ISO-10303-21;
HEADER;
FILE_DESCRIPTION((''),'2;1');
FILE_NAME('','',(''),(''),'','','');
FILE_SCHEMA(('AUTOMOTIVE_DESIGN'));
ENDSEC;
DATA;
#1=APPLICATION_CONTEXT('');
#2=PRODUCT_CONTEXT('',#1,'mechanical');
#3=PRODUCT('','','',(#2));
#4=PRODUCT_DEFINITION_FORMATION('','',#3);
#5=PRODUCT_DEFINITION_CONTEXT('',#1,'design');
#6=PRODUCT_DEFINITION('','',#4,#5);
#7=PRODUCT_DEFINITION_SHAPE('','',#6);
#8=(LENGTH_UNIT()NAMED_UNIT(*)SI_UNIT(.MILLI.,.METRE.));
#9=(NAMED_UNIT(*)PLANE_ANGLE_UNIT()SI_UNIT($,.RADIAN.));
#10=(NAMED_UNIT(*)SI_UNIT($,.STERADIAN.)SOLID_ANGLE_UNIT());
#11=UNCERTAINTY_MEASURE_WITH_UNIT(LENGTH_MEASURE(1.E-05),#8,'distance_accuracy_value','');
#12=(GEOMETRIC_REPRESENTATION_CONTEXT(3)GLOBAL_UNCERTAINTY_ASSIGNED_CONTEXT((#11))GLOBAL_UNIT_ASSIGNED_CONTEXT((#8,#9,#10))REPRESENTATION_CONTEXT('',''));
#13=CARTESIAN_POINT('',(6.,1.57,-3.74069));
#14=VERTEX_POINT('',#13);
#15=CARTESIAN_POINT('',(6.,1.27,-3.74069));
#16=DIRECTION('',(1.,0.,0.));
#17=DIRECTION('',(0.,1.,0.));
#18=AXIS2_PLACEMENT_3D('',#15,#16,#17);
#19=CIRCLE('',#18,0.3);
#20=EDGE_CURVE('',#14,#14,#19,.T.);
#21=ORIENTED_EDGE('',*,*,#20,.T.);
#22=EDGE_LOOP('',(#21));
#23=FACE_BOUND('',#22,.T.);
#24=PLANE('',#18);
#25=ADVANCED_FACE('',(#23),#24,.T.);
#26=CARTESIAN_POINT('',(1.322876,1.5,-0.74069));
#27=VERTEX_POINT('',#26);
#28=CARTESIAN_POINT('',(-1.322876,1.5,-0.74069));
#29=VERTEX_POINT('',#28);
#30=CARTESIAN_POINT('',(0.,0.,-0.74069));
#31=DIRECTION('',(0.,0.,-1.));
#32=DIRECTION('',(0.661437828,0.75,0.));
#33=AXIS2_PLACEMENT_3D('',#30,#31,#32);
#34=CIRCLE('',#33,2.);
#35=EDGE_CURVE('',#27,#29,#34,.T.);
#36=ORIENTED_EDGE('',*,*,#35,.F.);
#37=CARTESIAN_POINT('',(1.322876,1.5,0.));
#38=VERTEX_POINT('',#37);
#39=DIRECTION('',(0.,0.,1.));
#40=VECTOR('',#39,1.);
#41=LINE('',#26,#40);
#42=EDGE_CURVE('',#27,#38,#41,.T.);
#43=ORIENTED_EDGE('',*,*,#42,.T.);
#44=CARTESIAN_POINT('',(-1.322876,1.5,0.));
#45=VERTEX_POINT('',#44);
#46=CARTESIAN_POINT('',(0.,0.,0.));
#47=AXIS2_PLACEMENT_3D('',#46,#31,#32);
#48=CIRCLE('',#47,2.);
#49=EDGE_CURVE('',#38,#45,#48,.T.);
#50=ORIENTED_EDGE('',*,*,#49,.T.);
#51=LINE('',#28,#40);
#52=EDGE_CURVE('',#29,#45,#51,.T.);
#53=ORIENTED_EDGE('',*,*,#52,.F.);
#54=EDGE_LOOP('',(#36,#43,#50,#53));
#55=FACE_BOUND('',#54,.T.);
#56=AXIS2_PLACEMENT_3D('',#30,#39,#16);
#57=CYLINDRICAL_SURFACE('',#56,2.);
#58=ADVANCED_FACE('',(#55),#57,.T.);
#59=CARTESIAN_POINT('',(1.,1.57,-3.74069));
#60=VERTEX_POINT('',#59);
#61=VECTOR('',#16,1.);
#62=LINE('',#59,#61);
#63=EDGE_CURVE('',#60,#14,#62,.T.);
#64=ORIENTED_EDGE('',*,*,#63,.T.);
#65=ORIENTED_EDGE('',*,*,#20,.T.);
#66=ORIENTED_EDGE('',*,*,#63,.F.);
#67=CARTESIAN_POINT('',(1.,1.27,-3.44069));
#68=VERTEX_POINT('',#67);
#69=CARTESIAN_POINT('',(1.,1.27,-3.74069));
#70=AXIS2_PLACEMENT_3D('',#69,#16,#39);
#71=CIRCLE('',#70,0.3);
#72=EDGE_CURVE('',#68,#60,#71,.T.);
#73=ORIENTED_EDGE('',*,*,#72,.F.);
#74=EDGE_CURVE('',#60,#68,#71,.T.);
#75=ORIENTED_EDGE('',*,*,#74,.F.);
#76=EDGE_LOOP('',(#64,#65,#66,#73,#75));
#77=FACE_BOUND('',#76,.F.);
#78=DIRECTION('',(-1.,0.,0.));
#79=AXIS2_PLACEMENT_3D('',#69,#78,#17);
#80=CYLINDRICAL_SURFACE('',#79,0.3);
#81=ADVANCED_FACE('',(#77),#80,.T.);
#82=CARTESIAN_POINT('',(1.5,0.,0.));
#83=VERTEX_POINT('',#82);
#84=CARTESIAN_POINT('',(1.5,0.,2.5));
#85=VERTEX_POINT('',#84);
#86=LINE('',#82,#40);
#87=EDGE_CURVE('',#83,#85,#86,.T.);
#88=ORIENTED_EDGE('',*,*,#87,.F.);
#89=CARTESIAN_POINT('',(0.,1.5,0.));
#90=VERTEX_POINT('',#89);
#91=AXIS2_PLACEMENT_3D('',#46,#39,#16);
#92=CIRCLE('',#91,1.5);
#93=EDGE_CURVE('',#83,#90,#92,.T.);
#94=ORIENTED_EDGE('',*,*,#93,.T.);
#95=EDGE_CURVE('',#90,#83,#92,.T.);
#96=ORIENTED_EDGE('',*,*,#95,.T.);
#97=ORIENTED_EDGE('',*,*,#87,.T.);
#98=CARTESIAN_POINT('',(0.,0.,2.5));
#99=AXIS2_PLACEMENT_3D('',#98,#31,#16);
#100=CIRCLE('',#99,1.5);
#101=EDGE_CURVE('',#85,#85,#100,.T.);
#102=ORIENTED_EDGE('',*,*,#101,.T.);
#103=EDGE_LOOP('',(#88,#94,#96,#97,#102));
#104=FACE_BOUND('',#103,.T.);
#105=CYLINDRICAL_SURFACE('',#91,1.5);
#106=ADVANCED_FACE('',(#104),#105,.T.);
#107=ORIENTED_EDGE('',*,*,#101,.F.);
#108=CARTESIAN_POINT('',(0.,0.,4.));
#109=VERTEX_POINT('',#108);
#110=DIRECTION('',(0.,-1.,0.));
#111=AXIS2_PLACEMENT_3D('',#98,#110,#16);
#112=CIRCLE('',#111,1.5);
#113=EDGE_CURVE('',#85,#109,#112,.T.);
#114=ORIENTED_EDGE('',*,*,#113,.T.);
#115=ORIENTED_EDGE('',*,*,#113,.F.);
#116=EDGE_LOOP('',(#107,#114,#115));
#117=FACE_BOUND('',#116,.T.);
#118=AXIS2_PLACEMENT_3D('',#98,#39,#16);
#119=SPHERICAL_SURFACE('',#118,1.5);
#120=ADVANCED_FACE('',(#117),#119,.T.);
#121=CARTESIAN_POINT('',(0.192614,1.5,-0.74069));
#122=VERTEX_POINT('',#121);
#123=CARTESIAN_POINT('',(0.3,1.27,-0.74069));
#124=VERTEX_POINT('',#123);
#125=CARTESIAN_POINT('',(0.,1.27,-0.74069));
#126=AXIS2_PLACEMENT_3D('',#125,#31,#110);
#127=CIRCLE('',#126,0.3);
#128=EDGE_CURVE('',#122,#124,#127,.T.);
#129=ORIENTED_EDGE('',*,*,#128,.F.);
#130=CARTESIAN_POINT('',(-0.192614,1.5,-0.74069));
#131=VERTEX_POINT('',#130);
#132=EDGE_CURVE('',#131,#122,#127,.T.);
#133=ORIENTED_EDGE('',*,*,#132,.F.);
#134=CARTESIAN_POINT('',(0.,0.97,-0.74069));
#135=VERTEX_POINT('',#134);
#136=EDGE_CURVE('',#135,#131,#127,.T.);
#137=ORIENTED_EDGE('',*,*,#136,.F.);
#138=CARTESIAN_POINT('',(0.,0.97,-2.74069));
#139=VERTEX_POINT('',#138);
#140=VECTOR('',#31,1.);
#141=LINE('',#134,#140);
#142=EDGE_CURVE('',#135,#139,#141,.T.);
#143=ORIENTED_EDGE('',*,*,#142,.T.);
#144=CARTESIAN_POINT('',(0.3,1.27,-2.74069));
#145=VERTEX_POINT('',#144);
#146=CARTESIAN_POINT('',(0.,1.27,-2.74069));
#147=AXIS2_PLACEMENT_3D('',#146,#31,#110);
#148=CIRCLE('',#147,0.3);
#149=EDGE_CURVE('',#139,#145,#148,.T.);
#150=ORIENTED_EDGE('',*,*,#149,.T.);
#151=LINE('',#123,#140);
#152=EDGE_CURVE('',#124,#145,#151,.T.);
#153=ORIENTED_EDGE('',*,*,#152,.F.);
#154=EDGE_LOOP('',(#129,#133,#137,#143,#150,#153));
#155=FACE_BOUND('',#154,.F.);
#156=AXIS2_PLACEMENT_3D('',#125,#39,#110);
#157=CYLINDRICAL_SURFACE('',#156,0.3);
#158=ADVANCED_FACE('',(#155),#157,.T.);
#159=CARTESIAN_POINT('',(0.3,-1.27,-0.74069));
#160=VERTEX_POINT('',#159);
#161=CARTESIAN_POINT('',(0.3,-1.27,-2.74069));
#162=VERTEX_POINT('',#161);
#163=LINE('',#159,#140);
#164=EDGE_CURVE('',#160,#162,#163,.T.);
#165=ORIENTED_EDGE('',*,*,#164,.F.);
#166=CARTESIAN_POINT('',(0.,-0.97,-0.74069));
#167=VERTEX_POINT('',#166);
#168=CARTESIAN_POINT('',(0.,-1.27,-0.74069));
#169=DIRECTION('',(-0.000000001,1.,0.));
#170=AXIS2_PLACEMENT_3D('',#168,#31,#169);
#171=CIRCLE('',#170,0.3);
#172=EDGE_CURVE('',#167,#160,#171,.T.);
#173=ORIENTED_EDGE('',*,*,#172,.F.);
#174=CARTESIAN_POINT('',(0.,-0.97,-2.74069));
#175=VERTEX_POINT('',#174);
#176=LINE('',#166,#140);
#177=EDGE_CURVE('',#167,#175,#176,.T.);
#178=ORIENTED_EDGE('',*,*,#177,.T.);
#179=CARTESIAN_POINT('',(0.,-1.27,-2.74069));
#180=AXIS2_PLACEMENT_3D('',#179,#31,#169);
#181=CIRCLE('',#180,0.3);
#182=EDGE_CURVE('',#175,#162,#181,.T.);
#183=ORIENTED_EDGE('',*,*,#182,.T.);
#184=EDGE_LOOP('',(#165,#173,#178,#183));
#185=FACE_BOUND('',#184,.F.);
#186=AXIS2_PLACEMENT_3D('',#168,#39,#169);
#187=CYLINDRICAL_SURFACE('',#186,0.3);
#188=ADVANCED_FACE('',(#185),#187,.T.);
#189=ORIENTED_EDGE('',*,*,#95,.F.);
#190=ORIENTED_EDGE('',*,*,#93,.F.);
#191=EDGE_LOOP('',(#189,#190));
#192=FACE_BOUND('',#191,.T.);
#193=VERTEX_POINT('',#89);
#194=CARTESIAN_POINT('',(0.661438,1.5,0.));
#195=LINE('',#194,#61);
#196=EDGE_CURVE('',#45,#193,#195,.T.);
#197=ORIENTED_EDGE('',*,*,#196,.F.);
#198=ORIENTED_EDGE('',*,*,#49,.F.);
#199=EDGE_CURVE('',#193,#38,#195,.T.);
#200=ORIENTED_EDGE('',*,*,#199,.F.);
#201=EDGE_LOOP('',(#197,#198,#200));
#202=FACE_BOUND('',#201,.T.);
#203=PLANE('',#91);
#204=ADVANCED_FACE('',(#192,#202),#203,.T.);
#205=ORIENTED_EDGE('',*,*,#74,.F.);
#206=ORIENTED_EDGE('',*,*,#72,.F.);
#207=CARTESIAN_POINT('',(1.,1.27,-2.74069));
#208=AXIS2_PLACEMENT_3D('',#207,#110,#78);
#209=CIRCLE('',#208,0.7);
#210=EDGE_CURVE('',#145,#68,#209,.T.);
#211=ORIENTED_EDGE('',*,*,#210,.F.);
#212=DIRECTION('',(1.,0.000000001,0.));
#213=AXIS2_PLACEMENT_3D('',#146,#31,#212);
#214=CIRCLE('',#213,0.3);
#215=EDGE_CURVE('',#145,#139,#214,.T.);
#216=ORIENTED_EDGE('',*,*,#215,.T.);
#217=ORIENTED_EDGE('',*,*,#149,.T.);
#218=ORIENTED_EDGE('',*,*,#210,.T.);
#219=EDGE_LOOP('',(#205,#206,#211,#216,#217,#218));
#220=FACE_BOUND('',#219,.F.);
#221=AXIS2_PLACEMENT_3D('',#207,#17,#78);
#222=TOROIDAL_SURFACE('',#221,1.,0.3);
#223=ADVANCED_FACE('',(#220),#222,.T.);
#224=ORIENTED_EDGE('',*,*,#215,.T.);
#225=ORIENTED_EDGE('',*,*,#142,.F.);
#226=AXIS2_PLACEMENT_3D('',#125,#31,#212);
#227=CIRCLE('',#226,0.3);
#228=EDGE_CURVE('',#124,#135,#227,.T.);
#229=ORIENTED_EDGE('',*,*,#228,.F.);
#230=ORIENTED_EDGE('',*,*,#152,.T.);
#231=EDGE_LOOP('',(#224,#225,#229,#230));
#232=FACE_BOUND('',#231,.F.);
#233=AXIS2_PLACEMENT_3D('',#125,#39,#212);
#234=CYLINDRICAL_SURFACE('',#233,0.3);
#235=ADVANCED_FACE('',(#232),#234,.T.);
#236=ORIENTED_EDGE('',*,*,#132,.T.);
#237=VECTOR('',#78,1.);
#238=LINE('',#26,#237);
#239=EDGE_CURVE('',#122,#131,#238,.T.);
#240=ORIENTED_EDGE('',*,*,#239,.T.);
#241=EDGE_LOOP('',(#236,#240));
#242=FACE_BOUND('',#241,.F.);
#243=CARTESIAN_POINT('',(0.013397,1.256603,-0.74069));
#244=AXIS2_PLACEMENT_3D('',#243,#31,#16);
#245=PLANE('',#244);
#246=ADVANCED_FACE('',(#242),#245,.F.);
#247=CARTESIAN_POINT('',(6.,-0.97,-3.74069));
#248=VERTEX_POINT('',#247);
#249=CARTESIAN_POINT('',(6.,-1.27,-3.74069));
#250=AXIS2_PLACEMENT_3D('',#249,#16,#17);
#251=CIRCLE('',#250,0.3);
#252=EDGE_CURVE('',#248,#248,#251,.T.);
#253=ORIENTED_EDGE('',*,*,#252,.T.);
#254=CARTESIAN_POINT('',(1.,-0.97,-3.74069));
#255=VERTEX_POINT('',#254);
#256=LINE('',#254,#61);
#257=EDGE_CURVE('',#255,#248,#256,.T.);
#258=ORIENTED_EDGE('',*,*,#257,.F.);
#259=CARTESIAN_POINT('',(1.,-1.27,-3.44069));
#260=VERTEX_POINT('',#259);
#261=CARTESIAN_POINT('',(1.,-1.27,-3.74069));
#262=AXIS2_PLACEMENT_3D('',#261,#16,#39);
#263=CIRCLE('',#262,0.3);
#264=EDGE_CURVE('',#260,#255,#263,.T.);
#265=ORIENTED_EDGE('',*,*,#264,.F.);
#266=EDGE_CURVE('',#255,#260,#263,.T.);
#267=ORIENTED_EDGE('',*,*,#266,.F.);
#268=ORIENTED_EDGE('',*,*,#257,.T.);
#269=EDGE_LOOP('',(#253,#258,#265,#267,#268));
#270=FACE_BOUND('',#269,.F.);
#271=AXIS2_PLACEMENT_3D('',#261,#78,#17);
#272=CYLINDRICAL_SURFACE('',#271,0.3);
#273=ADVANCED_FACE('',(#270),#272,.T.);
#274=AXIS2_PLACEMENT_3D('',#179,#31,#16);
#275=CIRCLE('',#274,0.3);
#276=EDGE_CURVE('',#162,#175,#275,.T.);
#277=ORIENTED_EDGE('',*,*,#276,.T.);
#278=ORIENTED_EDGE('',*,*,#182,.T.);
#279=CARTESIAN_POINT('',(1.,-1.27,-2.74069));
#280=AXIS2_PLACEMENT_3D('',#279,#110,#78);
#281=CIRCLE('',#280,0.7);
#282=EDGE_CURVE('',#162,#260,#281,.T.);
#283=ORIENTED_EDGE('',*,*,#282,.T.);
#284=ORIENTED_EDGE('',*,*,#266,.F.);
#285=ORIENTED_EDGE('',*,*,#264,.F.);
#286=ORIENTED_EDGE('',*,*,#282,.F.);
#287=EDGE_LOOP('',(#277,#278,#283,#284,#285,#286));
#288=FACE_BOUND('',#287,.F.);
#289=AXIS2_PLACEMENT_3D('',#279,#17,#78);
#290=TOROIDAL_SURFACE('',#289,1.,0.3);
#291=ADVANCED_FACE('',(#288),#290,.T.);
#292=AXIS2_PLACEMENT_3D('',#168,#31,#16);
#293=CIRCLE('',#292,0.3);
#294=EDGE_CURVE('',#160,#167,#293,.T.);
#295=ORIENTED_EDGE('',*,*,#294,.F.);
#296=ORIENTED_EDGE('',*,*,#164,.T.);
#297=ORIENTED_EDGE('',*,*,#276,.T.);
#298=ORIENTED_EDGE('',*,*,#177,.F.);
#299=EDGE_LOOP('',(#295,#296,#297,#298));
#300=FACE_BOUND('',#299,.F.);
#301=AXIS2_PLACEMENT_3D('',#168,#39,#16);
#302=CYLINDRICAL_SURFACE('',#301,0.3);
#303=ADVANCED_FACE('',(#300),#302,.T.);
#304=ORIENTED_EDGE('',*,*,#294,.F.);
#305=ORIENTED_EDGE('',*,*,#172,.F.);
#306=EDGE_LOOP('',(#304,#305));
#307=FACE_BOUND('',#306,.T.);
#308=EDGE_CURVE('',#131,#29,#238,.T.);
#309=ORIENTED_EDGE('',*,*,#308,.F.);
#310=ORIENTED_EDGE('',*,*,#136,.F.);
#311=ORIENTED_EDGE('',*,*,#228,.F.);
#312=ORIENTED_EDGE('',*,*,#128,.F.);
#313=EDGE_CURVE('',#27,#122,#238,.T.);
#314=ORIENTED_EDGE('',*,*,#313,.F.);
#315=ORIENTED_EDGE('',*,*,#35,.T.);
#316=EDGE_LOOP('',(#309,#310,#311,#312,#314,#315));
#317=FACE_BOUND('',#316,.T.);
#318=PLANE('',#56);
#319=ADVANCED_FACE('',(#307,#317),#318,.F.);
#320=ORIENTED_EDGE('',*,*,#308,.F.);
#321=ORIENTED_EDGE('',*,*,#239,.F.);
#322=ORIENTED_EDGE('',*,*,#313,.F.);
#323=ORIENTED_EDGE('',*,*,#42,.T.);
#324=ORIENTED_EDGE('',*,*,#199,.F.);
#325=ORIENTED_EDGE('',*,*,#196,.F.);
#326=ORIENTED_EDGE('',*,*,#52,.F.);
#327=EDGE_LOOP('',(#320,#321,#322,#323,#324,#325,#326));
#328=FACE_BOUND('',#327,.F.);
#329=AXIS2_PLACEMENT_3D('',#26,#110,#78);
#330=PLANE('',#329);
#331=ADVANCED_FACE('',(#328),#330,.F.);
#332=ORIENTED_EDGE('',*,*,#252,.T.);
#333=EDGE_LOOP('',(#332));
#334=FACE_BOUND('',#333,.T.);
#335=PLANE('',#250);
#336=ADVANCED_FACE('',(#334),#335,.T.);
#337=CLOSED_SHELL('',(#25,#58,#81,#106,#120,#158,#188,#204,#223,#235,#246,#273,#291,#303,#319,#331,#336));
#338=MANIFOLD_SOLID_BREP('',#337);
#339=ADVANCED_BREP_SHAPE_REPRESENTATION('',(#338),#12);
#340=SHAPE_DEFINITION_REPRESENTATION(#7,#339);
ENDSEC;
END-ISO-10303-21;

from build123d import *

# Parameters (mm, degrees)
F3_DEPTH  = 25
F5_DEPTH  = 2
F5_FACE_R = 0.3
F6_R      = 0.3
F7_ANGLE  = 90
F8_R      = 0.3
F7_FACE_R = 0.3
F9_DEPTH  = 5


with BuildPart() as f1:
    # F0 (on Front) → F1 (revolve)
    with BuildSketch(Plane.XZ):
        with BuildLine():
            Line((0, 4), (0, 0))
            Line((0, 0), (0, -0.7406895747))
            Line((0, -0.7406895747), (2, -0.7406895747))
            Line((2, -0.7406895747), (2, 0))
            Line((2, 0), (1.5, 0))
            Line((1.5, 0), (1.5, 2.5))
            ThreePointArc((1.5, 2.5), (1.0606601718, 3.5606601718), (0, 4))
        make_face()
    revolve(axis=Axis((0, 0, 2), (0, 0, 1)))

    # F2 (on face) → F3 (cut)
    with BuildSketch(Plane(origin=(0, 0, -0.7406895747), x_dir=(1, 0, 0), z_dir=(0, 0, -1))):
        with BuildLine():
            Line((1.3228756555, -1.5), (-1.3228756555, -1.5))
            ThreePointArc((-1.3228756555, -1.5), (0, -2), (1.3228756555, -1.5))
        make_face()
    extrude(amount=-F3_DEPTH, mode=Mode.SUBTRACT)

    # F4 (on face) → F5 (join)
    with BuildSketch(Plane(origin=(0, 0, -0.7406895747), x_dir=(1, 0, 0), z_dir=(0, 0, -1))):
        with BuildLine():
            ThreePointArc((0, 0.97), (0.2121320344, 1.0578679656), (0.3, 1.27))
            ThreePointArc((0.3, 1.27), (-0.2121320344, 1.4821320344), (0, 0.97))
        make_face()
        with BuildLine():
            ThreePointArc((0.3, -1.27), (0.2121320344, -1.0578679656), (0, -0.97))
            ThreePointArc((0, -0.97), (-0.2121320344, -1.4821320344), (0.3, -1.27))
        make_face()
    extrude(amount=F5_DEPTH)

    # F5_face (on face) + F6 (on face) → F7 (revolve)
    with BuildSketch(Plane(origin=(0, 1.27, -2.7406895747), x_dir=(1, 0, 0), z_dir=(0, 0, -1))):
        with Locations((0, 2.54)):
            Circle(F5_FACE_R)
    with BuildSketch(Plane(origin=(0, 0, -2.7406895747), x_dir=(1, 0, 0), z_dir=(0, 0, -1))):
        with Locations((0, -1.27)):
            Circle(F6_R)
    revolve(axis=Axis((1, 0.2732329885, -2.7406895747), (0, -1, 0)), revolution_arc=F7_ANGLE)

    # F8 (on face) + F7_face (on face) → F9 (join)
    with BuildSketch(Plane.YZ.offset(1)):
        with Locations((-1.27, -3.7406895747)):
            Circle(F8_R)
    with BuildSketch(Plane(origin=(1, -1.27, -3.7406895747), x_dir=(0, 1, 0), z_dir=(1, 0, 0))):
        with Locations((2.54, 0)):
            Circle(F7_FACE_R)
    extrude(amount=F9_DEPTH)


solid = f1.part
